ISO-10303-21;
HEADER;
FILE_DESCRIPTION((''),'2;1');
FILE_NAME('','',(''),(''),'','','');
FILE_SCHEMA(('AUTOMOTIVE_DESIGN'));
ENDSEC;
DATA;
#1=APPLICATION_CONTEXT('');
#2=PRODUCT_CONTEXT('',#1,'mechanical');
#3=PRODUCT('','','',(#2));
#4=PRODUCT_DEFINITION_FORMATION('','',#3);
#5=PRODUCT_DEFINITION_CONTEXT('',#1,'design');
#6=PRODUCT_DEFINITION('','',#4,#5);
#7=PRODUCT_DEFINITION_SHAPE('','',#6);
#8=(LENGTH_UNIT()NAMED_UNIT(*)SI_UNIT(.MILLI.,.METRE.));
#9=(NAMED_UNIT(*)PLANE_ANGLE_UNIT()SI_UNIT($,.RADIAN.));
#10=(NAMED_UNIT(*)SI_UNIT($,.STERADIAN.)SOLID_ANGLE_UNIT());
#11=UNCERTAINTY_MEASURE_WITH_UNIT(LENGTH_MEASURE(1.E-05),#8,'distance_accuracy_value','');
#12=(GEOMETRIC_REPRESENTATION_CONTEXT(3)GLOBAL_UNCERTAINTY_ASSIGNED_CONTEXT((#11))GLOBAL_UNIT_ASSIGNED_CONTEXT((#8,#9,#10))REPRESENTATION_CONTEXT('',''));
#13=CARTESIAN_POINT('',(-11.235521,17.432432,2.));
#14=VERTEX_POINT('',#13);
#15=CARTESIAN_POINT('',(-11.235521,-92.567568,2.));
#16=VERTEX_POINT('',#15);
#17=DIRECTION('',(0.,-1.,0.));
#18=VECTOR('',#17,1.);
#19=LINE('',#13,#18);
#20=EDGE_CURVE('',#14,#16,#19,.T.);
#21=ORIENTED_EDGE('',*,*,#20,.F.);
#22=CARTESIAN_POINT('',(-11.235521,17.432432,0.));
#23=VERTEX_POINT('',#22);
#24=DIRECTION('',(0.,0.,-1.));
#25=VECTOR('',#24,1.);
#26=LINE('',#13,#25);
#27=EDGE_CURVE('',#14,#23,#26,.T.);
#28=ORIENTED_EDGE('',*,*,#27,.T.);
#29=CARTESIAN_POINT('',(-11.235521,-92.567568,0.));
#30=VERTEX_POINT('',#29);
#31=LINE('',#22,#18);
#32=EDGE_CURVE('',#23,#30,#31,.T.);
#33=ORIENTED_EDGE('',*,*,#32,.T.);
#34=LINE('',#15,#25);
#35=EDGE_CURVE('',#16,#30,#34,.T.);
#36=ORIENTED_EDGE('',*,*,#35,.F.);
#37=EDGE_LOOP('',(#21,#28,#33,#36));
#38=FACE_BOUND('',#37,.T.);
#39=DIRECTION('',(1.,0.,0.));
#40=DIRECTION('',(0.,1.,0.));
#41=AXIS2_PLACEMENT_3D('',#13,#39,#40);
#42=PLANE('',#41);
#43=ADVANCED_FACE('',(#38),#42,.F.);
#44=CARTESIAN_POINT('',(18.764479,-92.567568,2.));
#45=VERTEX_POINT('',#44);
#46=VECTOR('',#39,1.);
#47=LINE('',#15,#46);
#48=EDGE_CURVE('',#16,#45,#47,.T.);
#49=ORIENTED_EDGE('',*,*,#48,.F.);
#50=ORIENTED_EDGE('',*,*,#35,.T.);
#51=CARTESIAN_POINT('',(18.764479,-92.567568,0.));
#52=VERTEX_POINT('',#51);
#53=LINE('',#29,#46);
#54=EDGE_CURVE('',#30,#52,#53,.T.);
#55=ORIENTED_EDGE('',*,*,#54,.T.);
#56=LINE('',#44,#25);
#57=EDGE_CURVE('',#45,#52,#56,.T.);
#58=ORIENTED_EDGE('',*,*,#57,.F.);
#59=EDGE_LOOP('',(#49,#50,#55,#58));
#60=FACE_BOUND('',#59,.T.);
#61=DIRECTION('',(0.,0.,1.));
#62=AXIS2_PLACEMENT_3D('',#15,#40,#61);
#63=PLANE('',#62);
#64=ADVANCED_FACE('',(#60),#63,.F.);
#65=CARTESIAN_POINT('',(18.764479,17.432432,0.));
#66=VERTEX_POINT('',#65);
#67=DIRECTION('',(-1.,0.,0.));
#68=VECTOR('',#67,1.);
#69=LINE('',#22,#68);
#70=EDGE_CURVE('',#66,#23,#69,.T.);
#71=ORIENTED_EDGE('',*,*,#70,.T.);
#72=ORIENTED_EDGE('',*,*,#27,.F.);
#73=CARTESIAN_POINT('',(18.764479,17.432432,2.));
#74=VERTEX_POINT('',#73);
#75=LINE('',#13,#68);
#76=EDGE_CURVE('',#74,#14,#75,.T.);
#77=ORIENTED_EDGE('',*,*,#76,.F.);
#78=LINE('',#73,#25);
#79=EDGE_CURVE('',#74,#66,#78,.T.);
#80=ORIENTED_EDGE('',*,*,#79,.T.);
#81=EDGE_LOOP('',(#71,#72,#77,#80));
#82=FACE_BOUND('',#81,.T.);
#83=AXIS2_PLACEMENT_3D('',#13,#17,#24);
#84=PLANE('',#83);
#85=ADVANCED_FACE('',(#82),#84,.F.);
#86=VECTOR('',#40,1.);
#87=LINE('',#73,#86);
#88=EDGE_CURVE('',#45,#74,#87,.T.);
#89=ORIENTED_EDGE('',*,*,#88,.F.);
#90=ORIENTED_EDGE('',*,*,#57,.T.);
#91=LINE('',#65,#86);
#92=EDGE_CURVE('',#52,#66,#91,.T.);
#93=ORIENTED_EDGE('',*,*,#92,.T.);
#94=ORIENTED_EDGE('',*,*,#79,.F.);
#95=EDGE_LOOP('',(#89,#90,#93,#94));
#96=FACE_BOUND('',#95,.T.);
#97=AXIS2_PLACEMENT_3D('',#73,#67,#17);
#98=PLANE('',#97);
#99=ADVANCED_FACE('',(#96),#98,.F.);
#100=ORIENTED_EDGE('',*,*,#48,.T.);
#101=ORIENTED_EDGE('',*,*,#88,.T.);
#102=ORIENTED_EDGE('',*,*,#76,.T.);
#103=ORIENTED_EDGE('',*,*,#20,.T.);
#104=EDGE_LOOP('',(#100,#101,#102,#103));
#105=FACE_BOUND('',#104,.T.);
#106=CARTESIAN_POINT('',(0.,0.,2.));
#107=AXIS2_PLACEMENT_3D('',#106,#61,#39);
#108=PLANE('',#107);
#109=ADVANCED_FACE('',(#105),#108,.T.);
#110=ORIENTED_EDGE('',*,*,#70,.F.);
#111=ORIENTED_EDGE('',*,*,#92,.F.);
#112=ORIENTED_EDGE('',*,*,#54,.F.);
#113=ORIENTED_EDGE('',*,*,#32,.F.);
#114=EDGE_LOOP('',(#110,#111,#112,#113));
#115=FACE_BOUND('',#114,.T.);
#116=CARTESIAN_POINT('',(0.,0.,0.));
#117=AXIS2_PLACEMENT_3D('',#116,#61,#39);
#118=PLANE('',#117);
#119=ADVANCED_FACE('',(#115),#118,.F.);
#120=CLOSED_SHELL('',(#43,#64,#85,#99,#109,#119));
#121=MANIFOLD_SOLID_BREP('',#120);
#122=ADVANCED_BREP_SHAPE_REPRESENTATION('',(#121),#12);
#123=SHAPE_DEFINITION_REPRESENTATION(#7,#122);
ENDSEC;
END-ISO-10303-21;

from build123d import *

# Parameters (mm, degrees)
SKIZZE1_W                       = 30
SKIZZE1_H                       = 110
AUFSATZ_LINEAR_AUSTRAGEN1_DEPTH = 2


with BuildPart() as part:
    # Skizze1 → Aufsatz-Linear austragen1 (new body)
    with BuildSketch(Plane.XY):
        with Locations((3.764478764, -37.567567568)):
            Rectangle(SKIZZE1_W, SKIZZE1_H)
    extrude(amount=AUFSATZ_LINEAR_AUSTRAGEN1_DEPTH)


solid = part.part
